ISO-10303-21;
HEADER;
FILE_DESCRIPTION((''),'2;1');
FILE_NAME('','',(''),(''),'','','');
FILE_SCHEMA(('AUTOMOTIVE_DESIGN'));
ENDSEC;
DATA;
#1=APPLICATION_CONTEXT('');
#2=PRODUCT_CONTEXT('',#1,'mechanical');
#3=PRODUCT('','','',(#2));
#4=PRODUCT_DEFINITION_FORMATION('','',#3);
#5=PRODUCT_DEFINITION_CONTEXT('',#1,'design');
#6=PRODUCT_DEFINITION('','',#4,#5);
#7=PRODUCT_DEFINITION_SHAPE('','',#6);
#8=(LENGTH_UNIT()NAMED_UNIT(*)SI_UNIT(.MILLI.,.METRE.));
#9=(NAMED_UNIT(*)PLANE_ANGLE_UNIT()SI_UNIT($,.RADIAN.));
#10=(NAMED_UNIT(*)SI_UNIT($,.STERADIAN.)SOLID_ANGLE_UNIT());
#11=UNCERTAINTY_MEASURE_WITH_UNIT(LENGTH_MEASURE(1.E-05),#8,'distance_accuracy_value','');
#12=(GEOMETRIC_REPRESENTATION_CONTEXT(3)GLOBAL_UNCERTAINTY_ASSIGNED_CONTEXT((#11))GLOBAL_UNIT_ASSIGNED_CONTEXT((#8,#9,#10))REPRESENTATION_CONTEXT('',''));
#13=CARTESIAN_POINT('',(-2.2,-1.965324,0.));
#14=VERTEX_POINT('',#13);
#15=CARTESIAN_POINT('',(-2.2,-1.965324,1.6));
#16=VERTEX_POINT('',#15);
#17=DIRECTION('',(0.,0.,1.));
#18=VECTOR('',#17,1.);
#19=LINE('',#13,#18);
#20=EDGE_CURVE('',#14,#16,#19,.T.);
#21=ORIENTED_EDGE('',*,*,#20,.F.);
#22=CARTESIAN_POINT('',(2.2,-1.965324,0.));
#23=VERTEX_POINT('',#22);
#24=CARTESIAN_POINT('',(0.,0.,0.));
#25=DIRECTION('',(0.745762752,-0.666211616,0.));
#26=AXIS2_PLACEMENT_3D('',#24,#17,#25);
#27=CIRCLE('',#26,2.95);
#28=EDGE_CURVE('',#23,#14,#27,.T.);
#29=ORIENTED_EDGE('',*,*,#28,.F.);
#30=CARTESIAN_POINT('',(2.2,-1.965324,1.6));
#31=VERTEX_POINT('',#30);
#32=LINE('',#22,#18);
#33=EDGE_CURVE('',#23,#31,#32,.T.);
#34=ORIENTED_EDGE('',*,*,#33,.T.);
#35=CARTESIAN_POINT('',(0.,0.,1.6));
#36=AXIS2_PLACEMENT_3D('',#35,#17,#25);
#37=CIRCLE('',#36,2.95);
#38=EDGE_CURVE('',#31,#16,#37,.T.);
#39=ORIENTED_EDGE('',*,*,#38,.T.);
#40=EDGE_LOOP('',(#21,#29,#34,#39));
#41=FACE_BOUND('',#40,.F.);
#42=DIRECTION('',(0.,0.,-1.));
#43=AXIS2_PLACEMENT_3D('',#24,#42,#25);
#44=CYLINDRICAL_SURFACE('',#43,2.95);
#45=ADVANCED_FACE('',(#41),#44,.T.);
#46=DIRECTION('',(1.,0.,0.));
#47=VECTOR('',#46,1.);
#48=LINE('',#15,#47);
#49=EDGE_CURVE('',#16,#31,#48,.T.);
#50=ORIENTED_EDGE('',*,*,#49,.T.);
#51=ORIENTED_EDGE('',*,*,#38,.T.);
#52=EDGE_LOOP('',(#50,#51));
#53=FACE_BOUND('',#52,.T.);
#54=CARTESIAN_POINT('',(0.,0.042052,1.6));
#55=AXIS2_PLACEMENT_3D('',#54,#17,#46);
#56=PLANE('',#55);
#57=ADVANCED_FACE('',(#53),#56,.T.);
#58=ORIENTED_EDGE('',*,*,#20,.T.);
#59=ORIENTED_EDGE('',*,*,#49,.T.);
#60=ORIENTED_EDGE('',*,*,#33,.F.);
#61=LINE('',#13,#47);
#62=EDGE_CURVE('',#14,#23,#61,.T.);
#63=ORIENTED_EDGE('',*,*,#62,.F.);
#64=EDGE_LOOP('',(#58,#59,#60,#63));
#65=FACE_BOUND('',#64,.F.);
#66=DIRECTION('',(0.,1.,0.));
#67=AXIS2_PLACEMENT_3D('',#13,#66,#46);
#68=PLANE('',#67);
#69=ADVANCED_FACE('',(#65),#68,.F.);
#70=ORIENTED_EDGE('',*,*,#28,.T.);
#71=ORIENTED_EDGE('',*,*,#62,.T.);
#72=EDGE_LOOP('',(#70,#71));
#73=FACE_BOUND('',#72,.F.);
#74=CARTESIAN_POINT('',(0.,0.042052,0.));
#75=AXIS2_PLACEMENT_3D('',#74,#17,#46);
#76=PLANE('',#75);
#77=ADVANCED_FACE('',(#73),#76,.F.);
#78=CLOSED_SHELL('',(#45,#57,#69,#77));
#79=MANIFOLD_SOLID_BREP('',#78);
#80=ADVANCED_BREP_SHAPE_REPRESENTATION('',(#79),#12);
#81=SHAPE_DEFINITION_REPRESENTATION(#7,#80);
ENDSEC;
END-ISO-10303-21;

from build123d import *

# Parameters (mm, degrees)
PAD_DEPTH = 1.6


with BuildPart() as part:
    # Sketch → Pad (new body)
    with BuildSketch(Plane.XY):
        with BuildLine():
            ThreePointArc((2.2, -1.965324), (0, 2.95), (-2.2, -1.965324))
            Line((-2.2, -1.965324), (2.2, -1.965324))
        make_face()
    extrude(amount=PAD_DEPTH)


solid = part.part
